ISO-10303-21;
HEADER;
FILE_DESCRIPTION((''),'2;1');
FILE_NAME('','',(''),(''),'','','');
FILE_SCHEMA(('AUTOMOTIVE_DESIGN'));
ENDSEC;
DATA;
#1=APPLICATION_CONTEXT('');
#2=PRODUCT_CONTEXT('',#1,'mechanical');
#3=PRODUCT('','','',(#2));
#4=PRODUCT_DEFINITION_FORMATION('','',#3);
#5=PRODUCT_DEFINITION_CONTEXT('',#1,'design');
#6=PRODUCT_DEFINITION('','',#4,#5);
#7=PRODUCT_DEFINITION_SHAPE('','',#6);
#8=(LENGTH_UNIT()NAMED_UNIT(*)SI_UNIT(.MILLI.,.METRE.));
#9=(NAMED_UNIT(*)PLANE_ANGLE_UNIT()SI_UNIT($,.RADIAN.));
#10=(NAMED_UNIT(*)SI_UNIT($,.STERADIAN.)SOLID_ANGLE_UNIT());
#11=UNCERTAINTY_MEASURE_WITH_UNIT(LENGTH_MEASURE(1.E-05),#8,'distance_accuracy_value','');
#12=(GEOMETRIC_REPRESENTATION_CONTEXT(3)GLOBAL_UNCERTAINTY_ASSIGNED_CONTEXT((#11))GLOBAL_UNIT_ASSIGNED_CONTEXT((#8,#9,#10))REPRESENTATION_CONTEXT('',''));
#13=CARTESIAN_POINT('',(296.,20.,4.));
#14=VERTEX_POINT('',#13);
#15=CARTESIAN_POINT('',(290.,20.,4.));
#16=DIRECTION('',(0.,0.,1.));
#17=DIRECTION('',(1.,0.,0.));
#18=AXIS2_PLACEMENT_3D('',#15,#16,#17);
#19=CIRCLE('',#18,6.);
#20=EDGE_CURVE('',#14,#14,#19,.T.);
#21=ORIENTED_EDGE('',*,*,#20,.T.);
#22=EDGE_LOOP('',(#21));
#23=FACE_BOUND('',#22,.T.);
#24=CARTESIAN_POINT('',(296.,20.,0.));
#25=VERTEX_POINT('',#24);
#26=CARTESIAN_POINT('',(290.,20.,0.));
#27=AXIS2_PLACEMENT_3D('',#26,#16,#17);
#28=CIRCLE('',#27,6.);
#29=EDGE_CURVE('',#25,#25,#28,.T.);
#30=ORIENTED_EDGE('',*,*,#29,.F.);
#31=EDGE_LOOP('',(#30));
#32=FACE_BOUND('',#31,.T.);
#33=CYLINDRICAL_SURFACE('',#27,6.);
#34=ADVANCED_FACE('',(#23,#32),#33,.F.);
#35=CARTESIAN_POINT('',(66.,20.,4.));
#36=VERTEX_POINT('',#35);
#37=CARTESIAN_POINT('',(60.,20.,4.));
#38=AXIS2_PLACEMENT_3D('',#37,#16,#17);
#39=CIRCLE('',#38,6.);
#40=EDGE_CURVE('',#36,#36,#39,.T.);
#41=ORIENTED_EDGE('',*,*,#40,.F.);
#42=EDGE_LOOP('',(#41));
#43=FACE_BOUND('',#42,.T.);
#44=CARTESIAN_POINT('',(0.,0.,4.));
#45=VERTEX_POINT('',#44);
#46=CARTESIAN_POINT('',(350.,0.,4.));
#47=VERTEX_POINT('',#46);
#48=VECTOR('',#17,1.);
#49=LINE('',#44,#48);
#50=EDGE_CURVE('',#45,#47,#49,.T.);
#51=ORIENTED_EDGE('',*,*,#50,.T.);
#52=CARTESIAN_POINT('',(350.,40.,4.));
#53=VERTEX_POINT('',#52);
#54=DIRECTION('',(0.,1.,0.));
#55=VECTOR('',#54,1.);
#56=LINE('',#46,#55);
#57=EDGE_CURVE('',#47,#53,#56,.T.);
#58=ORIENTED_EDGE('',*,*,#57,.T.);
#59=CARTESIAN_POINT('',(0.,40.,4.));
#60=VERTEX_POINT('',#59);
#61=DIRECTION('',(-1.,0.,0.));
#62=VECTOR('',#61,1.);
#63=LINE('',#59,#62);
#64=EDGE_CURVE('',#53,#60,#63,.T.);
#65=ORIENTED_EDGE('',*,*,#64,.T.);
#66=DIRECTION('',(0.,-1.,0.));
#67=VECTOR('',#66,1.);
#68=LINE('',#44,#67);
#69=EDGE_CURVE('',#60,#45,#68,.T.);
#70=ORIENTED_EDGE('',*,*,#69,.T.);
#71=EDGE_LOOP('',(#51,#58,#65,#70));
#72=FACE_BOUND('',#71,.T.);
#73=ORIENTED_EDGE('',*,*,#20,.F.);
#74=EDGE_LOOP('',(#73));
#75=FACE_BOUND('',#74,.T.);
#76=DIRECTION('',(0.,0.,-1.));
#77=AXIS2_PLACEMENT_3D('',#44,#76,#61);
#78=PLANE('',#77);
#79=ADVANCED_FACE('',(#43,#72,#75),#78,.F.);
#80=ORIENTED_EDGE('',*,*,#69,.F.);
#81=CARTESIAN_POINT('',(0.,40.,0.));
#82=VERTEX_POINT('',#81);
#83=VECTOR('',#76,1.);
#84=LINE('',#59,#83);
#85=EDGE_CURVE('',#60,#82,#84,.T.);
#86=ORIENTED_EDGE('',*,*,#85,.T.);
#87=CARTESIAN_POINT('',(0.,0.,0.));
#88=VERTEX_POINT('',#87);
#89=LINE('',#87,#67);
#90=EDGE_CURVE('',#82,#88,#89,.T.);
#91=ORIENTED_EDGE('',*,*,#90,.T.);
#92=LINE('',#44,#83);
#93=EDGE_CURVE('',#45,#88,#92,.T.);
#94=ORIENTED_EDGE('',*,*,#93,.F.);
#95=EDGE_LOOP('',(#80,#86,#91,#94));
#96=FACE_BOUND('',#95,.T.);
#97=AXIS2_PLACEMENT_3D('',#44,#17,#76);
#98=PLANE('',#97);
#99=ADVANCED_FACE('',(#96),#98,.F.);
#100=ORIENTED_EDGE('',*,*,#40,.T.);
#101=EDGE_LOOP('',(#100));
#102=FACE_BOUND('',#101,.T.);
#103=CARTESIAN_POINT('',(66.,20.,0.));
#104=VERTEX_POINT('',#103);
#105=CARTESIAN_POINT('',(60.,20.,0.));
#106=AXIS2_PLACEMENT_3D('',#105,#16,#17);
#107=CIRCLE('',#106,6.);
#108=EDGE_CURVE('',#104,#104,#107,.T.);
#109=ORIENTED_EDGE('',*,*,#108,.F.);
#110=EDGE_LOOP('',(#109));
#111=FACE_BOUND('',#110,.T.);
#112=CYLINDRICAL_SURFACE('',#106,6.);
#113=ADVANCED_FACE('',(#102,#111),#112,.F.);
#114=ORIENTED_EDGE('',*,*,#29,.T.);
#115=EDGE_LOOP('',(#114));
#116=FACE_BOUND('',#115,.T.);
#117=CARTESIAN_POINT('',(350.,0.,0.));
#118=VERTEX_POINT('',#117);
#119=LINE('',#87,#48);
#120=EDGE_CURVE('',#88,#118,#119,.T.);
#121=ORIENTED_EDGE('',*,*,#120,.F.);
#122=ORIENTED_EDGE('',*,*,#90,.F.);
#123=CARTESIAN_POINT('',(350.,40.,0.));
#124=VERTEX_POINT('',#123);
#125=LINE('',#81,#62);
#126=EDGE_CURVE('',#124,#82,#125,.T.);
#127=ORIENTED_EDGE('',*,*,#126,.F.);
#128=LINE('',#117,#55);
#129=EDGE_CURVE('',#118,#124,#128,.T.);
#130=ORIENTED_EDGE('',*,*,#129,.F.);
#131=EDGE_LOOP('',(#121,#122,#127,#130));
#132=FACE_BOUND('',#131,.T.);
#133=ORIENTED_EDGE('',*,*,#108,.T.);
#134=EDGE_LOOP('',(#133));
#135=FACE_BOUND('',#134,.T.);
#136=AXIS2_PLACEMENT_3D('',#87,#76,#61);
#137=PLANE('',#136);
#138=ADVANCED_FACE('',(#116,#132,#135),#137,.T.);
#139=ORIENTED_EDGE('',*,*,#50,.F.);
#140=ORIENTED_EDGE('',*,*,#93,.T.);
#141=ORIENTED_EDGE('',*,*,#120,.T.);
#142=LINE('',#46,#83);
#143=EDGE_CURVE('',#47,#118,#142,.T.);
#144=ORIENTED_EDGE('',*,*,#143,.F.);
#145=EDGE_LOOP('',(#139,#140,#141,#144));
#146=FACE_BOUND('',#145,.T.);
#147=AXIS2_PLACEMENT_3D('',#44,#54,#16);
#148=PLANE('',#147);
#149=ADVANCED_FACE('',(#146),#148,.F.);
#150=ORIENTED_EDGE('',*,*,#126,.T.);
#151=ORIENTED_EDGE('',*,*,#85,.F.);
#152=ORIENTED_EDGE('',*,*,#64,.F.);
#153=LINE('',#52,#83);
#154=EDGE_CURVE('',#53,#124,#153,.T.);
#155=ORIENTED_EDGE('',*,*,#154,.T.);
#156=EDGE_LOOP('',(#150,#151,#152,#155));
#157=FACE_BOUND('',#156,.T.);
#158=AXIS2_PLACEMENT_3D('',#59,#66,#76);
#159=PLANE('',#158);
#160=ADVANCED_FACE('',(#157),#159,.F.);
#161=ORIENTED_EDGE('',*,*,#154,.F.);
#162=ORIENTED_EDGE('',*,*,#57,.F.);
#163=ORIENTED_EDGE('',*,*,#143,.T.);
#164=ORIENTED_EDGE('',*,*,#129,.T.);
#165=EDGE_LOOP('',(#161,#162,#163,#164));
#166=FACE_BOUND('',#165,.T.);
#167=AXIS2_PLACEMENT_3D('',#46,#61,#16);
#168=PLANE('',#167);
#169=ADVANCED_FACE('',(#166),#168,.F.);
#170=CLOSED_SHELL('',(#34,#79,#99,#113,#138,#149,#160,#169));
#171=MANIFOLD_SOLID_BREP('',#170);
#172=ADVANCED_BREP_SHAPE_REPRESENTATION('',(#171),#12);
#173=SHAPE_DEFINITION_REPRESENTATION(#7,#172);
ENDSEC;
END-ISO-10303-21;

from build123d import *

# Parameters (mm, degrees)
SKETCH_1_W          = 350
SKETCH_1_H          = 40
EXTRUDE_1_DEPTH     = 4
SKETCH_2_R          = 6
CUT_EXTRUDE_1_DEPTH = 353.301007662
SKETCH_3_R          = 6
CUT_EXTRUDE_2_DEPTH = 353.301007662


with BuildPart() as part:
    # Эскиз1 → Бобышка-Вытянуть1 (new body)
    with BuildSketch(Plane.XY):
        with Locations((175, 20)):
            Rectangle(SKETCH_1_W, SKETCH_1_H)
    extrude(amount=EXTRUDE_1_DEPTH)

    # Эскиз2 → Вырез-Вытянуть1 (cut, through all)
    with BuildSketch(Plane.XY.offset(4)):
        with Locations((60, 20)):
            Circle(SKETCH_2_R)
    extrude(amount=-CUT_EXTRUDE_1_DEPTH, mode=Mode.SUBTRACT)

    # Эскиз3 → Вырез-Вытянуть2 (cut, through all)
    with BuildSketch(Plane.XY.offset(4)):
        with Locations((290, 20)):
            Circle(SKETCH_3_R)
    extrude(amount=-CUT_EXTRUDE_2_DEPTH, mode=Mode.SUBTRACT)


solid = part.part
